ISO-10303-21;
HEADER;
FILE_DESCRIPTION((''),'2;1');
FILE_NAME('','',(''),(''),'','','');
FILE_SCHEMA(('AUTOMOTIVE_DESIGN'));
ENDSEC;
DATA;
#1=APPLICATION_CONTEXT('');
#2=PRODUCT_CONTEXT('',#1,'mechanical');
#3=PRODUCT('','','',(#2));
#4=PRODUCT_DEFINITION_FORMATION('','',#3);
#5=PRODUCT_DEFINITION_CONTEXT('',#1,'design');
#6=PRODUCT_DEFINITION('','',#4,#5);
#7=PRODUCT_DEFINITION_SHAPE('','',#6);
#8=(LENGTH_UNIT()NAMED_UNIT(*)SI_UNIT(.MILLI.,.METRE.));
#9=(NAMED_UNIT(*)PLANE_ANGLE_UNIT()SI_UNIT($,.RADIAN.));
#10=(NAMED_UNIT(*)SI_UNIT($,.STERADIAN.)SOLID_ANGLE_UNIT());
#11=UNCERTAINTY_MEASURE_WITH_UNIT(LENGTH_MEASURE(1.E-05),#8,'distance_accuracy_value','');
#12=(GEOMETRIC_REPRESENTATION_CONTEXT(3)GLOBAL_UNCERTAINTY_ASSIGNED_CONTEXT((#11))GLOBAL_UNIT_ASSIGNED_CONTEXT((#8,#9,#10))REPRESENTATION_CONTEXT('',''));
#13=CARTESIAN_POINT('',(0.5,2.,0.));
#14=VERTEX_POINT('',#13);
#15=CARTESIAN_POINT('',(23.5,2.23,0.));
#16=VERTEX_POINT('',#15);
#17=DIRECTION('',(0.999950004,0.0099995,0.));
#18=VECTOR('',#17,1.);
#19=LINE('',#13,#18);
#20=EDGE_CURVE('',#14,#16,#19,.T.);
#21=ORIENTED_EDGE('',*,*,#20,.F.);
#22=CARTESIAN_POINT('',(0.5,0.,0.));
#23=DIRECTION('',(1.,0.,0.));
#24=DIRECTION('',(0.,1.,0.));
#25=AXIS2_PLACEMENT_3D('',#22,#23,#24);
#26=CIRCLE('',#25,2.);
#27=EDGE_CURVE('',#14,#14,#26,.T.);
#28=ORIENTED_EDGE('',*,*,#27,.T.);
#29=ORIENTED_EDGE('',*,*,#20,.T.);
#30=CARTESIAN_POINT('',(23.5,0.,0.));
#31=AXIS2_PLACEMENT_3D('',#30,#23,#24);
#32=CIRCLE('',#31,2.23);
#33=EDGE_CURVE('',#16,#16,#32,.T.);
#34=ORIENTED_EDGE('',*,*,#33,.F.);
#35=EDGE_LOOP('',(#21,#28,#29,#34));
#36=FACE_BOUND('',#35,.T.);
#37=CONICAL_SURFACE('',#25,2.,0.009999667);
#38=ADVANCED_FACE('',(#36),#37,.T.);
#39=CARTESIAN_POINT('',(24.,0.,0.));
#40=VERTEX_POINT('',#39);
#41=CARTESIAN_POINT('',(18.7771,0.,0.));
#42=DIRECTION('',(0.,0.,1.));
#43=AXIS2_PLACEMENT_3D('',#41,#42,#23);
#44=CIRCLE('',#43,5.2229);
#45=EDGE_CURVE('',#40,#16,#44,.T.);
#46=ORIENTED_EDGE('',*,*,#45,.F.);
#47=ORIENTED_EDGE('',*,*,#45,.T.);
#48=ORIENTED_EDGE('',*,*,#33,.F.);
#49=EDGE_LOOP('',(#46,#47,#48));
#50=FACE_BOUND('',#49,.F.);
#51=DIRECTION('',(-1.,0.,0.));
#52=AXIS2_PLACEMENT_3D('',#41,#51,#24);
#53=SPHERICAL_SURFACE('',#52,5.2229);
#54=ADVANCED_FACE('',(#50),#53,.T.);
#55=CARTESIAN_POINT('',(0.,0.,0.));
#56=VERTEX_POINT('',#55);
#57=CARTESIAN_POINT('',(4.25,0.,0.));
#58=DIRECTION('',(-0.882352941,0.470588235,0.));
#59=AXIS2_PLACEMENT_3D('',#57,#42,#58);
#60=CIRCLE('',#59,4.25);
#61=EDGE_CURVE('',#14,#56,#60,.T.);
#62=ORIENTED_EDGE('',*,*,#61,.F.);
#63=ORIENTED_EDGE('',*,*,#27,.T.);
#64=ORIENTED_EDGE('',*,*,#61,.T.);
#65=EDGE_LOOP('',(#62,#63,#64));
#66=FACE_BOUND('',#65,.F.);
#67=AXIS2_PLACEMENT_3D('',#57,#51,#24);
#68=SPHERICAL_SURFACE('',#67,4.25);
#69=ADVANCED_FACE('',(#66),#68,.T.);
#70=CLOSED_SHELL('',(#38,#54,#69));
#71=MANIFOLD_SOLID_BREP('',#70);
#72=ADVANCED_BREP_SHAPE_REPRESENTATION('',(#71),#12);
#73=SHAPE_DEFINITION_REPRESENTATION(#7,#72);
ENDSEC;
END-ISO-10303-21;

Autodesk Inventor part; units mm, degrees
ref_plane "YZ Plane" through (0, 0, 0) normal (1, 0, 0) x (0, 1, 0)
ref_plane "XZ Plane" through (0, 0, 0) normal (0, 1, 0) x (-1, 0, 0)
ref_plane "XY Plane" through (0, 0, 0) normal (0, 0, 1) x (1, 0, 0)
sketch "Sketch1" plane through (0, 0, 0) normal (0, 0, 1) x (1, 0, 0)
  line L0 (0, 0) -> (24, 0)
  line L1 (0.5, 2) -> (23.5, 2.23)
  arc A0 (0.5, 2) -> (0, 0) centre (4.25, 0) ccw
  arc A1 (24, 0) -> (23.5, 2.23) centre (18.7771, 0) ccw
  dimension "d0" = 24
  dimension "d1" = 0.5
  dimension "d2" = 0.5
  dimension "d3" = 4
  dimension "d5" = 4.46
revolve "Body" add sketch "Sketch1" angle 360 about axis through (0, 0, 0) along (1, 0, 0)
equation "\"d0\" = NLG"
equation "\"d1\" = KAH"
equation "\"d2\" = KAH"
equation "\"d3\" = NND"
equation "\"NND\" = 4"
equation "\"NLG\" = 24"
equation "\"KAH\" = 0.5"
equation "\"NLG1\" = 23"
equation "\"d35\" = KAH"
equation "\"d36\" = KAH"
properties part number "ISO 2339 - A - 4 x 24" material "Steel"
